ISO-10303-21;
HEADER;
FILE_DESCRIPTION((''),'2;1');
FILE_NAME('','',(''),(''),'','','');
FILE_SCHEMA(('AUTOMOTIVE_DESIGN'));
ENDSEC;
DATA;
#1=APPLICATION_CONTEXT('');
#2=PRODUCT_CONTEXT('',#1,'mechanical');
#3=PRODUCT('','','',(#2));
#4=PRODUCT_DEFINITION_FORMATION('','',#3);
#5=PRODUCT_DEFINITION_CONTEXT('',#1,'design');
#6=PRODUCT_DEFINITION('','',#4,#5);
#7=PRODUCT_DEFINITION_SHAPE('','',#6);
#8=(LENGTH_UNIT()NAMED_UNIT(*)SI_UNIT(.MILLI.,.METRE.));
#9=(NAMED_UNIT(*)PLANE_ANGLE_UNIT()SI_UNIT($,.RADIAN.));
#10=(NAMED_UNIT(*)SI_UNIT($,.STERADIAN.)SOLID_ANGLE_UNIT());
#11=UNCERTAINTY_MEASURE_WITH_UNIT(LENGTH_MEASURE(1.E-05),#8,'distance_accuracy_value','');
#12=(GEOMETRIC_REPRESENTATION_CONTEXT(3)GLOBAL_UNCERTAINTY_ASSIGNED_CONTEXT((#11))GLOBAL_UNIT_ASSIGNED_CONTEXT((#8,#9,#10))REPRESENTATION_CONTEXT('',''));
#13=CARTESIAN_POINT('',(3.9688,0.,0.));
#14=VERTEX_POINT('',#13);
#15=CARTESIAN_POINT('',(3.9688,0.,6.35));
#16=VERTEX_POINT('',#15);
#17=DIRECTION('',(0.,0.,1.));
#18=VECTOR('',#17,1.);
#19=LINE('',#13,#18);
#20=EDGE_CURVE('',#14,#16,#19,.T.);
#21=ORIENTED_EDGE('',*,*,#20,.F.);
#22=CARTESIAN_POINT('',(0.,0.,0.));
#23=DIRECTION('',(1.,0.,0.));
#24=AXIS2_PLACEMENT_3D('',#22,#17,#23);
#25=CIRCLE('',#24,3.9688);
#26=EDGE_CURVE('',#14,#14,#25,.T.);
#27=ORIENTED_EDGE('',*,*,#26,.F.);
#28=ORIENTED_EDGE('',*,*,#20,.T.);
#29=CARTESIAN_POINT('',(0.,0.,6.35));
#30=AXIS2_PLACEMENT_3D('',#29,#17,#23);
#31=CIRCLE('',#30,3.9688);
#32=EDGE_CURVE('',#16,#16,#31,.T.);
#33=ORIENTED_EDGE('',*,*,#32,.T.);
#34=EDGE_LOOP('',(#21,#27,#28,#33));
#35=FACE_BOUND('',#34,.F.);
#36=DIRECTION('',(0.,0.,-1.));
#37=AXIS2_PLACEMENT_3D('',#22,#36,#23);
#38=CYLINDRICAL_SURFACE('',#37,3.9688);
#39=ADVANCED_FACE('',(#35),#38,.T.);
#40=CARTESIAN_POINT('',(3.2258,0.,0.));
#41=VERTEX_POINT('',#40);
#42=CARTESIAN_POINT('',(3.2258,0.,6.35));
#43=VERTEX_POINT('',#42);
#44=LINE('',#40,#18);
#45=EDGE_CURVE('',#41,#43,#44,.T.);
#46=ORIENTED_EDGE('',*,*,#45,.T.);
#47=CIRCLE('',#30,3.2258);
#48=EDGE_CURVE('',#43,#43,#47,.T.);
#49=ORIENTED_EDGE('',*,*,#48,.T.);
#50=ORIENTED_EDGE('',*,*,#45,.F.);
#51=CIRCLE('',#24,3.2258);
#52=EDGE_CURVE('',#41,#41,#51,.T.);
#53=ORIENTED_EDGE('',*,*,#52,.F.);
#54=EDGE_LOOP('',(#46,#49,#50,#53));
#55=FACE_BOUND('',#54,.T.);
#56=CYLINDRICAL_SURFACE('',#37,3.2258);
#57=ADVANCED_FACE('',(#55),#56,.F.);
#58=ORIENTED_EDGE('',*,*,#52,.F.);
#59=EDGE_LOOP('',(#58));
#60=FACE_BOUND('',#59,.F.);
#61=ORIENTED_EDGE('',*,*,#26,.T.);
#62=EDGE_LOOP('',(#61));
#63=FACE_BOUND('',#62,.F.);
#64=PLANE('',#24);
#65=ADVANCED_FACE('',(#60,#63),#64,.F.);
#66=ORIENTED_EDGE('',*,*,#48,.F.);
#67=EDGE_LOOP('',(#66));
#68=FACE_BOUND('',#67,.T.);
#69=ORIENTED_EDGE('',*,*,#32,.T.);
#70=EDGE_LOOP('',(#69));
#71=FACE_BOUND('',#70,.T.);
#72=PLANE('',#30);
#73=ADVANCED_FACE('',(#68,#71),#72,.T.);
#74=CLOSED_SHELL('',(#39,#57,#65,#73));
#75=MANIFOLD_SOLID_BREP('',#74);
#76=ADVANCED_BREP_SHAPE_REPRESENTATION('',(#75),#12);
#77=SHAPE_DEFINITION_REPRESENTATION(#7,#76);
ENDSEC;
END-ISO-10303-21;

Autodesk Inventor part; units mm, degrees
ref_plane "YZ Plane" through (0, 0, 0) normal (1, 0, 0) x (0, 1, 0)
ref_plane "XZ Plane" through (0, 0, 0) normal (0, 1, 0) x (-1, 0, 0)
ref_plane "XY Plane" through (0, 0, 0) normal (0, 0, 1) x (1, 0, 0)
sketch "Sketch1" plane through (0, 0, 0) normal (0, 0, 1) x (1, 0, 0)
  circle A0 centre (0, 0) radius 3.2258
  circle A1 centre (0, 0) radius 3.9688
  dimension "d0" = 7.9375
  dimension "d1" = 6.4516
extrude "Extrusion1" add sketch "Sketch1" along normal blind 6.35
properties part number "SleeveBearing.25inch" material "Bronze, Cast"
